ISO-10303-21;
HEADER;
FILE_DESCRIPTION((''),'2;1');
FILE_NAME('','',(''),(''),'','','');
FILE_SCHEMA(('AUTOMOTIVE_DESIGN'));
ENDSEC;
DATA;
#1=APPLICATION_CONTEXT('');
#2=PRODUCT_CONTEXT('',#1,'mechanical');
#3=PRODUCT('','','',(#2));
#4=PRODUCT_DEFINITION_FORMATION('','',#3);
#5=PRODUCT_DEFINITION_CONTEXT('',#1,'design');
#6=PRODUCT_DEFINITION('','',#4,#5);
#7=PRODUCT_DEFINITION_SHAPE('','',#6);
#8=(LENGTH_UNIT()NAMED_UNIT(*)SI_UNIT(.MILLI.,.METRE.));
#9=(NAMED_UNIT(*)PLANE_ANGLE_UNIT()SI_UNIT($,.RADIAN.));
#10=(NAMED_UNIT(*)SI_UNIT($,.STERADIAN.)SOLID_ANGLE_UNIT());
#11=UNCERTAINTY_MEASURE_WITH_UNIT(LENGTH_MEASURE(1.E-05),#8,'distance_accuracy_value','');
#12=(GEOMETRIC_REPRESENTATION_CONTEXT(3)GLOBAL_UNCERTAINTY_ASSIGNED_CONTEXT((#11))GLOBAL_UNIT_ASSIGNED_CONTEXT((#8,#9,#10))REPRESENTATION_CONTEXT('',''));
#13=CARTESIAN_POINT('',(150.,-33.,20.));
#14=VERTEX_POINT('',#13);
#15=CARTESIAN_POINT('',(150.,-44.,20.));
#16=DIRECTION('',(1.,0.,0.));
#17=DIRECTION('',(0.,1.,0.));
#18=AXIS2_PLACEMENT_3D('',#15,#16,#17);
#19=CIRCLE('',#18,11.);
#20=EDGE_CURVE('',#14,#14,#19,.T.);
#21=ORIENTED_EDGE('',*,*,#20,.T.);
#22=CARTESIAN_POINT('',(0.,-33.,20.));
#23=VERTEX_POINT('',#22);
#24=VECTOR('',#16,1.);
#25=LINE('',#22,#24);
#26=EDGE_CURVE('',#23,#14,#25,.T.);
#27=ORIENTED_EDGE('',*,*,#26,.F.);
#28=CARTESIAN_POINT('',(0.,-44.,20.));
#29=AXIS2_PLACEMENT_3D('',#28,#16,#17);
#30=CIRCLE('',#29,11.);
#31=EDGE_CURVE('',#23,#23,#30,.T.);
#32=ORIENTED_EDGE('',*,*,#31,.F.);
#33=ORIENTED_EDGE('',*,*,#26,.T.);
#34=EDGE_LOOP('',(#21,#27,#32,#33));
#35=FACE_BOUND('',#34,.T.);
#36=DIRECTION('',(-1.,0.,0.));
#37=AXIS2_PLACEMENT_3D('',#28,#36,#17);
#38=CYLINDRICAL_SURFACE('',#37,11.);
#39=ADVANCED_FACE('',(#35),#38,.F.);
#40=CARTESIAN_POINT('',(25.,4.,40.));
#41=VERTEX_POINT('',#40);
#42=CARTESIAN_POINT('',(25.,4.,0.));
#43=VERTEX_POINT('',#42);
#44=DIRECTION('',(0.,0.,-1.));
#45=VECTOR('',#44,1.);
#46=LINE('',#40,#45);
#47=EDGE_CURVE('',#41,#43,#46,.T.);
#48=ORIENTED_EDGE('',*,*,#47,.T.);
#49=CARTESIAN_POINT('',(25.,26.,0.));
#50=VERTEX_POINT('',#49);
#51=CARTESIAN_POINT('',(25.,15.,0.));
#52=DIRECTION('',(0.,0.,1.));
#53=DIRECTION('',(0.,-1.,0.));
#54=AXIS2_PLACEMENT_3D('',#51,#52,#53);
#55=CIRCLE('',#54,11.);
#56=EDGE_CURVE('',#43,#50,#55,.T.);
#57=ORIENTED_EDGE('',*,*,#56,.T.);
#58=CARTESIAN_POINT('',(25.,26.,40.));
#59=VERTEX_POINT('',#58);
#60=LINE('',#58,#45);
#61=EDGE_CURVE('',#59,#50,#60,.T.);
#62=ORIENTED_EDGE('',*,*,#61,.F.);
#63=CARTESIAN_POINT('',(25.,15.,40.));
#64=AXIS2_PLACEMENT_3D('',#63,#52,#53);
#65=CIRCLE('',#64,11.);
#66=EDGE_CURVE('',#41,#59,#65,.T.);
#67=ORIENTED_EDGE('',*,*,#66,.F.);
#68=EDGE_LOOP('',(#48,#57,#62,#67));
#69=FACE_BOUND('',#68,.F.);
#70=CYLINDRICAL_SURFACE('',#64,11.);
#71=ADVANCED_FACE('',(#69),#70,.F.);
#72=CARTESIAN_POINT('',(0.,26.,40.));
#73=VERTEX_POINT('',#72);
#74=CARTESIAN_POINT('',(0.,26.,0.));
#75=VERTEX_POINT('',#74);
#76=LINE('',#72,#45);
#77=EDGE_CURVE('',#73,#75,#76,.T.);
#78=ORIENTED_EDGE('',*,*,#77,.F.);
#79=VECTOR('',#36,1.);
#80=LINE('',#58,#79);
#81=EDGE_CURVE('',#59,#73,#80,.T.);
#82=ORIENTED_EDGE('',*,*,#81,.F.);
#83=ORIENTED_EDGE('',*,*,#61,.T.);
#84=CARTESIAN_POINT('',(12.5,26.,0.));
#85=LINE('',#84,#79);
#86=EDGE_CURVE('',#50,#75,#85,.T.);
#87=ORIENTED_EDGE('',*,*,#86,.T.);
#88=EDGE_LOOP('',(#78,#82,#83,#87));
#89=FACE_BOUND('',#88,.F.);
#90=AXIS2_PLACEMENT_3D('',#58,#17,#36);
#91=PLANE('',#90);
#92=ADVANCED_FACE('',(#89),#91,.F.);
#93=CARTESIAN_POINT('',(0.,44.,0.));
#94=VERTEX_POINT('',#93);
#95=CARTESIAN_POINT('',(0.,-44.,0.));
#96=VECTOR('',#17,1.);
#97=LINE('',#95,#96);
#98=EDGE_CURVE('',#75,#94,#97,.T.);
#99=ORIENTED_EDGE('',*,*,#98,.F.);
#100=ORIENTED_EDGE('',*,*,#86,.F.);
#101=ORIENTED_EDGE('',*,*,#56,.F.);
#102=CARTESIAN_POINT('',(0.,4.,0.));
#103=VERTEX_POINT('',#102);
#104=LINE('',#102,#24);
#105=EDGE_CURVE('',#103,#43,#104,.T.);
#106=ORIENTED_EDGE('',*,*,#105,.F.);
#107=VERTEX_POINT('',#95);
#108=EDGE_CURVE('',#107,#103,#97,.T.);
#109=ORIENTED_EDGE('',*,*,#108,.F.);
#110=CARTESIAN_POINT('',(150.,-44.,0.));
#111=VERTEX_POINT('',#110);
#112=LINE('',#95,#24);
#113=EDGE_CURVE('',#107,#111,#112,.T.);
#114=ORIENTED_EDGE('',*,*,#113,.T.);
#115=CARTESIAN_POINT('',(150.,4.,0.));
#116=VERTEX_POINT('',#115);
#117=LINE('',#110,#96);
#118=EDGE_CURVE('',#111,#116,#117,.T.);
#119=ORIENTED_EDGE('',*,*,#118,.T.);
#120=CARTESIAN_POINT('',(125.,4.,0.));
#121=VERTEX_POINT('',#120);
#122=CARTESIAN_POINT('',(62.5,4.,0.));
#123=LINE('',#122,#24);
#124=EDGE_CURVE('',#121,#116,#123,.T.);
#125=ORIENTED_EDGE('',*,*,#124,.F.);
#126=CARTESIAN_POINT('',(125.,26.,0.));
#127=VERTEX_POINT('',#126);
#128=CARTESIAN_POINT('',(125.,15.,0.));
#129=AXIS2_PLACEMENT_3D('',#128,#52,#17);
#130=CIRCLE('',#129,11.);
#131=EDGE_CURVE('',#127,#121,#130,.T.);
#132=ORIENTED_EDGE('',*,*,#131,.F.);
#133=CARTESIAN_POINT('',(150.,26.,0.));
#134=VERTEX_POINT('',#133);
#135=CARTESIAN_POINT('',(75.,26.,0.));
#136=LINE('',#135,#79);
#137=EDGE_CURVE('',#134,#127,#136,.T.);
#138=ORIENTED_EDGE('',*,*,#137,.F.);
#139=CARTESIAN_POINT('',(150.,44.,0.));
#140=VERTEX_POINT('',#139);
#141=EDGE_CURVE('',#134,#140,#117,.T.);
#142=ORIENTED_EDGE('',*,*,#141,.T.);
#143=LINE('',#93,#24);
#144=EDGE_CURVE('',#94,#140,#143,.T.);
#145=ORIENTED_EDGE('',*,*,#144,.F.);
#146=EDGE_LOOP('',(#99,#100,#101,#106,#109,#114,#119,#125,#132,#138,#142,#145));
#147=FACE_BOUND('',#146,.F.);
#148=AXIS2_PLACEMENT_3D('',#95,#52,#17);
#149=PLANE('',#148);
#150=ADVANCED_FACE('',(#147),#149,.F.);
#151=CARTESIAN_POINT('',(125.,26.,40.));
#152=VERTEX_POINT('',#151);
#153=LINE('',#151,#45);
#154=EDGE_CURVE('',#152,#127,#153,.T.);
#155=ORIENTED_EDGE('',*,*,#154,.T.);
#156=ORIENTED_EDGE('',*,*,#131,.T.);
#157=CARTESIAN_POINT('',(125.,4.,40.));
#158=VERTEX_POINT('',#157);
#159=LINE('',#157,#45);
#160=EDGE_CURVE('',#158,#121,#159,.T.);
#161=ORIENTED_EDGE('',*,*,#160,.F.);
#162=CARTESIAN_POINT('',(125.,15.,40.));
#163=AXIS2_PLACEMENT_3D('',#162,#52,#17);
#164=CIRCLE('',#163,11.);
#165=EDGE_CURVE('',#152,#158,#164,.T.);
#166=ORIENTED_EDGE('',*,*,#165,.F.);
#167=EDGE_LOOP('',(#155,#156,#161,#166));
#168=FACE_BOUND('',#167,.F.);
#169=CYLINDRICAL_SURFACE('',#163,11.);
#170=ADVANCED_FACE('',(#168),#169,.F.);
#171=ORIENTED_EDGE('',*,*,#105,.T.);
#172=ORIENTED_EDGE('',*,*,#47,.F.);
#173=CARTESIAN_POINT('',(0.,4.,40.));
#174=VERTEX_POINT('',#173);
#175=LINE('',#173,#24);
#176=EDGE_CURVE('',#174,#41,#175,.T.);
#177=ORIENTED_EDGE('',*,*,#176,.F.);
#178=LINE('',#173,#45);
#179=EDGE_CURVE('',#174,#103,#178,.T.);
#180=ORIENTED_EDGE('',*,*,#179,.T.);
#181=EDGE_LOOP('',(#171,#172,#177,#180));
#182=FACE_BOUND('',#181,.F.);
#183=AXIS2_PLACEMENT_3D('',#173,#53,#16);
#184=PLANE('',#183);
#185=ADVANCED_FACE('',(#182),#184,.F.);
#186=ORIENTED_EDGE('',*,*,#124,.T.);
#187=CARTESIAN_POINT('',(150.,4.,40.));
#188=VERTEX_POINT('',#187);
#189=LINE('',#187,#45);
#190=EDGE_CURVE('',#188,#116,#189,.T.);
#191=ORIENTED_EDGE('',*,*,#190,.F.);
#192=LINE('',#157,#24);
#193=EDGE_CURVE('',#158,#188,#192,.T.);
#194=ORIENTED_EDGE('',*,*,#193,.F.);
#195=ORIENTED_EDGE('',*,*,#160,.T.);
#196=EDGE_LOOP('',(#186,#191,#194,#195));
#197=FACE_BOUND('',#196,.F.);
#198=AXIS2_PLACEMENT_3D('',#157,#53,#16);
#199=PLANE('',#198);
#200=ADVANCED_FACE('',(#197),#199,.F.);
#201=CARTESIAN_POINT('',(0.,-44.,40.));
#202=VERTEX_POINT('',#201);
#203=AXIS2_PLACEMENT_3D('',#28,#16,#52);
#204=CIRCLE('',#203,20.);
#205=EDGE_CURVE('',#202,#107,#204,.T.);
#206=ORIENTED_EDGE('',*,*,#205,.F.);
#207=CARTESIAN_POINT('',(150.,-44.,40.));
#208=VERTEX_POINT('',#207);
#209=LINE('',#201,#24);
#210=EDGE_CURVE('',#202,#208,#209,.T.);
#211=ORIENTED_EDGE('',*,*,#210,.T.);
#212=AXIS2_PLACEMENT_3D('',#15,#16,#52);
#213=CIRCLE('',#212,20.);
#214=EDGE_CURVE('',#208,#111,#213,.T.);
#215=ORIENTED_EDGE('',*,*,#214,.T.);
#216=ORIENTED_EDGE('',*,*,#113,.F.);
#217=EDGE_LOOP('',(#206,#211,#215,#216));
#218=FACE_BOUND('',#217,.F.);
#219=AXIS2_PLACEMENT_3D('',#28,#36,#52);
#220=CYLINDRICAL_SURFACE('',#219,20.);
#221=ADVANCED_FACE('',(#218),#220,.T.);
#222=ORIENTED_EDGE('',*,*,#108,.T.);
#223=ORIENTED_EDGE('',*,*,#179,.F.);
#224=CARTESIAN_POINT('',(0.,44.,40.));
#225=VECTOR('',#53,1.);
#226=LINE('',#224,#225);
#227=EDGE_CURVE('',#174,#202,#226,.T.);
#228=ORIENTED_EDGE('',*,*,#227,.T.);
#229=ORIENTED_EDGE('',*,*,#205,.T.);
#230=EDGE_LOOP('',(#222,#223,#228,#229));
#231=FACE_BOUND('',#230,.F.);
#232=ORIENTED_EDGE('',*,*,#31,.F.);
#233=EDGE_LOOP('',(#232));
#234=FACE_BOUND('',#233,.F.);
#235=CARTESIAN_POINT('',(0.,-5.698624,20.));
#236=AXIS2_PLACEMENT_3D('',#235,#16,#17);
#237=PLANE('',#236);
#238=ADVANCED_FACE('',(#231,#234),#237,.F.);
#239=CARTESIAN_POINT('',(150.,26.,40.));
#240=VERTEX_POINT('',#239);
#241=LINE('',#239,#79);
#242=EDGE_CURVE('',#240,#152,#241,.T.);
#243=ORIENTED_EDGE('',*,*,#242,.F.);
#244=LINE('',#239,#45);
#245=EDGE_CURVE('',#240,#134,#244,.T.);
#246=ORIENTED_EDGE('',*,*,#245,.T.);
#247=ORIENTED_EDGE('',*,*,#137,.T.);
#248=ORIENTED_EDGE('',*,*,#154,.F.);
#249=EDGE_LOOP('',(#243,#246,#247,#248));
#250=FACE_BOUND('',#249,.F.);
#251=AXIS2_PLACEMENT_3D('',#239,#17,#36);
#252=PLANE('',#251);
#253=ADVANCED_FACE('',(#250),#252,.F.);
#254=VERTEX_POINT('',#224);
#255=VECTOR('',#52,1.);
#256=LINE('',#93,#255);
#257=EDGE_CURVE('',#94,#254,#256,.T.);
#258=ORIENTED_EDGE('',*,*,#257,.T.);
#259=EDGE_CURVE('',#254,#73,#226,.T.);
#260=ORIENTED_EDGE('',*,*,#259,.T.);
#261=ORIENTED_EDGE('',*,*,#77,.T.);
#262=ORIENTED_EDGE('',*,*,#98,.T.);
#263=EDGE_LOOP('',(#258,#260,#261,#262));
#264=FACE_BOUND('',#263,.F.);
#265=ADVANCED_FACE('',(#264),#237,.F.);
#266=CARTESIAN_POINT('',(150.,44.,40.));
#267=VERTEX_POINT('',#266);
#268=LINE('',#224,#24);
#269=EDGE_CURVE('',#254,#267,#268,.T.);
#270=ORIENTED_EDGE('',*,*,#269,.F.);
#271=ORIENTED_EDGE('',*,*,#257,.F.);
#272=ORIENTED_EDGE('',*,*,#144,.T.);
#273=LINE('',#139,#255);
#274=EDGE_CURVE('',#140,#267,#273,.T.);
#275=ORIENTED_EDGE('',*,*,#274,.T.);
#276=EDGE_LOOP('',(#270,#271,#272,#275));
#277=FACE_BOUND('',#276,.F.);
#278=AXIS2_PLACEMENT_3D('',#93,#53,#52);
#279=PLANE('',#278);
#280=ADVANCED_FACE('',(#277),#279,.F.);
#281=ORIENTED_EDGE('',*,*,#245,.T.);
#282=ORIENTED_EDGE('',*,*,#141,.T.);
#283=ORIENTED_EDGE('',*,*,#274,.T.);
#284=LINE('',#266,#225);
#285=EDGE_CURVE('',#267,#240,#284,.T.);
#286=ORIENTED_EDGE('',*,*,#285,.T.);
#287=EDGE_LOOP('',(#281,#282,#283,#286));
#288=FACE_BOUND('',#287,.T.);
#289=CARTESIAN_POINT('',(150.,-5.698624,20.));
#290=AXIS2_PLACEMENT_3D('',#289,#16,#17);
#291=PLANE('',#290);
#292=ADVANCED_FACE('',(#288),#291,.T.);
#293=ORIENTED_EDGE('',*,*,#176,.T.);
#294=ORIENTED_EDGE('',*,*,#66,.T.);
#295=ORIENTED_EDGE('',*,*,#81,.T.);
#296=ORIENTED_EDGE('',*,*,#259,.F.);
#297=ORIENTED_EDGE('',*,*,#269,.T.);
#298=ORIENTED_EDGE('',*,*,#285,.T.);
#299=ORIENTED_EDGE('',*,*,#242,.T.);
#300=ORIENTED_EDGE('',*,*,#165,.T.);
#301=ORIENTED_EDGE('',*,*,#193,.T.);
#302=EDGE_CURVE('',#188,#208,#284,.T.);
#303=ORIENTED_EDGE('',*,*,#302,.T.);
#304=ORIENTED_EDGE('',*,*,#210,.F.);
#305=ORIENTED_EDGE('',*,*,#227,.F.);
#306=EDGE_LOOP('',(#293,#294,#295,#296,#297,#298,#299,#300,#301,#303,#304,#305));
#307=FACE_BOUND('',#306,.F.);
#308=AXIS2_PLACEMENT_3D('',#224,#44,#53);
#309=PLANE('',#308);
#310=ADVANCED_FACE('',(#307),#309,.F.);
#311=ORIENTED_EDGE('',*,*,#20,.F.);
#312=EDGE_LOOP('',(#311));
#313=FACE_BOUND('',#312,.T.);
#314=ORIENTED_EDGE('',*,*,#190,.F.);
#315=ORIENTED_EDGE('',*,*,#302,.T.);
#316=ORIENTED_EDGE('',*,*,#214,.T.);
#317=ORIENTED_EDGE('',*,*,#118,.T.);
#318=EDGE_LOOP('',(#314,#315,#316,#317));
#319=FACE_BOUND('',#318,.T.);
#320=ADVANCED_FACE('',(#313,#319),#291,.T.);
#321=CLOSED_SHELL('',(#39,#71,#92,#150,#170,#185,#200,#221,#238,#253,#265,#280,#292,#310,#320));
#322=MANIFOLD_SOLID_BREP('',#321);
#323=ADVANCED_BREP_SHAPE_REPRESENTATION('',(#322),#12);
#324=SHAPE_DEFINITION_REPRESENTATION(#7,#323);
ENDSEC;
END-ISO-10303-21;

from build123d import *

# Parameters (mm, degrees)
F0_R     = 11
F1_DEPTH = 150
F3_DEPTH = 50


with BuildPart() as f1:
    # F0 (on Right) → F1 (new body)
    with BuildSketch(Plane.YZ):
        with BuildLine():
            Line((44, 40), (-44, 40))
            ThreePointArc((-44, 40), (-64, 20), (-44, 0))
            Line((-44, 0), (44, 0))
            Line((44, 0), (44, 40))
        make_face()
        with Locations((-44, 20)):
            Circle(F0_R, mode=Mode.SUBTRACT)
    extrude(amount=F1_DEPTH)

    # F2 (on face) → F3 (cut)
    with BuildSketch(Plane.XY.offset(40)):
        with BuildLine():
            Line((150, 4), (150, 26))
            Line((150, 26), (125, 26))
            ThreePointArc((125, 26), (114, 15), (125, 4))
            Line((125, 4), (150, 4))
        make_face()
        with BuildLine():
            Line((25, 26), (0, 26))
            Line((0, 26), (0, 4))
            Line((0, 4), (25, 4))
            ThreePointArc((25, 4), (36, 15), (25, 26))
        make_face()
    extrude(amount=-F3_DEPTH, mode=Mode.SUBTRACT)


solid = f1.part
